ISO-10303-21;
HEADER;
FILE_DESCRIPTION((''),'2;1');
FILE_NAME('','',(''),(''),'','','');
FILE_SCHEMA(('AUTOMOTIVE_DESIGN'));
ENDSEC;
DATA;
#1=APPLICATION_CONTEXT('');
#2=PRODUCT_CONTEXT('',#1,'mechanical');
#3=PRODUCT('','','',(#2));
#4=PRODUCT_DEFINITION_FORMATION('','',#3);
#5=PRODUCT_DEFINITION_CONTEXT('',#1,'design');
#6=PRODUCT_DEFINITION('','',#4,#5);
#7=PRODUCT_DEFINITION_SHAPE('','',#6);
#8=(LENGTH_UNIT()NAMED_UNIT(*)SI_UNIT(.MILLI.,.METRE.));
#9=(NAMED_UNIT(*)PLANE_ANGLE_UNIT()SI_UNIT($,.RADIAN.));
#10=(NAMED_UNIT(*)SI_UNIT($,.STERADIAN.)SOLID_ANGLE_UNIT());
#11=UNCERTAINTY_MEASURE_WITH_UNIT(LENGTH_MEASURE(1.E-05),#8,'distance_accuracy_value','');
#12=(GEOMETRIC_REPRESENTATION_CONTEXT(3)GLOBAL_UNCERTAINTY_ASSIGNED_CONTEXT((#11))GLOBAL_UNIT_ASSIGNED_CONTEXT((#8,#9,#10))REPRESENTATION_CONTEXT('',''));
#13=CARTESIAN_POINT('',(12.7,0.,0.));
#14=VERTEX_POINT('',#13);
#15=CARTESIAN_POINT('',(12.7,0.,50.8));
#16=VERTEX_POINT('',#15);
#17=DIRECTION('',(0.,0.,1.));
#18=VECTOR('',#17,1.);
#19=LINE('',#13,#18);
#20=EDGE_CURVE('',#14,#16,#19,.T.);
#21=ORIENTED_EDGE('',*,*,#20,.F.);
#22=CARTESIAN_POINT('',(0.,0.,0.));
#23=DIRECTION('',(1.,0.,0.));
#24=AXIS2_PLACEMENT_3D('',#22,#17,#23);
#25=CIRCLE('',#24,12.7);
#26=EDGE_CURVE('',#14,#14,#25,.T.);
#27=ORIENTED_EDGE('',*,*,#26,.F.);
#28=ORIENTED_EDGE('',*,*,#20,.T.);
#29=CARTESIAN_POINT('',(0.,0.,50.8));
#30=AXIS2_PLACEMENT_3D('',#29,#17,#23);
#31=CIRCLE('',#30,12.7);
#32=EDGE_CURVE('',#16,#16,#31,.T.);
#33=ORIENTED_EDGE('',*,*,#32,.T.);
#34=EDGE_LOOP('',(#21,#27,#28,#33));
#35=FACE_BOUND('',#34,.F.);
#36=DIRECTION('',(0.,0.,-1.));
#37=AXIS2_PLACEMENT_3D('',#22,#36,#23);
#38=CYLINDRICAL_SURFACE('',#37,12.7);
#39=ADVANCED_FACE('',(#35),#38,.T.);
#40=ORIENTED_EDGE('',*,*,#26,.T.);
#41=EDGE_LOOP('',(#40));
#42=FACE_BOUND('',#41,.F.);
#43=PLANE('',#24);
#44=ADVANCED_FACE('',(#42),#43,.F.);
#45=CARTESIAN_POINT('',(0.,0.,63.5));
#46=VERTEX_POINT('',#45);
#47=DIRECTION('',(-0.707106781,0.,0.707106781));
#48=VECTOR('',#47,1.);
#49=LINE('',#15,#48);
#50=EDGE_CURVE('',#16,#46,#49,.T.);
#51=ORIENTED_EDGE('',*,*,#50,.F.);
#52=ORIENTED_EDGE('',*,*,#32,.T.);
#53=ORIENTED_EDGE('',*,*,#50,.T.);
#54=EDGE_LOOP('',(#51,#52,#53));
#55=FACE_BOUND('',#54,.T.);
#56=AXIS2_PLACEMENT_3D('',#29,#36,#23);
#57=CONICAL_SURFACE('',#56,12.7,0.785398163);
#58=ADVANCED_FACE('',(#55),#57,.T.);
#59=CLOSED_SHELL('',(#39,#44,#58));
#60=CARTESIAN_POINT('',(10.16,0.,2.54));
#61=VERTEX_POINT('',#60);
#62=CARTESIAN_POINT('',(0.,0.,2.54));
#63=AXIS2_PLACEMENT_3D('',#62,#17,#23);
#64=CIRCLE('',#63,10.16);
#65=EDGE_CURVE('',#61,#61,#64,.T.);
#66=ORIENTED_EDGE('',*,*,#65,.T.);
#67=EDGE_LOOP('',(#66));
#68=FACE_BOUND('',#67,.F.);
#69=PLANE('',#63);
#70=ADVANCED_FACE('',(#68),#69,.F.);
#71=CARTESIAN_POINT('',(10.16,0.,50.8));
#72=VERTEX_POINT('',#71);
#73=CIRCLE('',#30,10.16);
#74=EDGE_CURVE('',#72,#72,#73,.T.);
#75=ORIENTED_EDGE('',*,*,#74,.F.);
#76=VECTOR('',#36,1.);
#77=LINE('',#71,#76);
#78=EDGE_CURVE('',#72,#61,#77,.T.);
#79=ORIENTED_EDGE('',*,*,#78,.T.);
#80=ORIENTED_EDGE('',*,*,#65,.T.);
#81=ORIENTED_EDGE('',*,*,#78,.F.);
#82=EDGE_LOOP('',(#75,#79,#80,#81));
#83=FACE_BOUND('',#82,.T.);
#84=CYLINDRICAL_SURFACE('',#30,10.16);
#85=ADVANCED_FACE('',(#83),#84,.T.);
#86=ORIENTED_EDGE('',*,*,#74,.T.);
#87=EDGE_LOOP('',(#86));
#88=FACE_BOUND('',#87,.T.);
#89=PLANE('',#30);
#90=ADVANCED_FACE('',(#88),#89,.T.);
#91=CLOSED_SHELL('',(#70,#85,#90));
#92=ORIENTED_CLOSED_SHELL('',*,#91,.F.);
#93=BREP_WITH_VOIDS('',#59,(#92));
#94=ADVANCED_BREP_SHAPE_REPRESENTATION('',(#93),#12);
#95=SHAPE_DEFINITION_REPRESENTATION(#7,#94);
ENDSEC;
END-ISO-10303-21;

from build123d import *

# Parameters (mm, degrees)
F0_R     = 12.7
F1_DEPTH = 50.8
F2_R     = 10.16
F3_DEPTH = 48.26
F4_R     = 12.7
F5_DEPTH = 25.4
F5_TAPER = 45


with BuildPart() as f1:
    # F0 (on Top) → F1 (new body)
    with BuildSketch(Plane.XY):
        Circle(F0_R)
    extrude(amount=F1_DEPTH)

    # F2 (on face) → F3 (cut)
    with BuildSketch(Plane.XY.offset(50.8)):
        Circle(F2_R)
    extrude(amount=-F3_DEPTH, mode=Mode.SUBTRACT)

    # F4 (on face) → F5 (join)
    with BuildSketch(Plane.XY.offset(50.8)):
        Circle(F4_R)
    extrude(amount=F5_DEPTH, taper=F5_TAPER)


solid = f1.part
